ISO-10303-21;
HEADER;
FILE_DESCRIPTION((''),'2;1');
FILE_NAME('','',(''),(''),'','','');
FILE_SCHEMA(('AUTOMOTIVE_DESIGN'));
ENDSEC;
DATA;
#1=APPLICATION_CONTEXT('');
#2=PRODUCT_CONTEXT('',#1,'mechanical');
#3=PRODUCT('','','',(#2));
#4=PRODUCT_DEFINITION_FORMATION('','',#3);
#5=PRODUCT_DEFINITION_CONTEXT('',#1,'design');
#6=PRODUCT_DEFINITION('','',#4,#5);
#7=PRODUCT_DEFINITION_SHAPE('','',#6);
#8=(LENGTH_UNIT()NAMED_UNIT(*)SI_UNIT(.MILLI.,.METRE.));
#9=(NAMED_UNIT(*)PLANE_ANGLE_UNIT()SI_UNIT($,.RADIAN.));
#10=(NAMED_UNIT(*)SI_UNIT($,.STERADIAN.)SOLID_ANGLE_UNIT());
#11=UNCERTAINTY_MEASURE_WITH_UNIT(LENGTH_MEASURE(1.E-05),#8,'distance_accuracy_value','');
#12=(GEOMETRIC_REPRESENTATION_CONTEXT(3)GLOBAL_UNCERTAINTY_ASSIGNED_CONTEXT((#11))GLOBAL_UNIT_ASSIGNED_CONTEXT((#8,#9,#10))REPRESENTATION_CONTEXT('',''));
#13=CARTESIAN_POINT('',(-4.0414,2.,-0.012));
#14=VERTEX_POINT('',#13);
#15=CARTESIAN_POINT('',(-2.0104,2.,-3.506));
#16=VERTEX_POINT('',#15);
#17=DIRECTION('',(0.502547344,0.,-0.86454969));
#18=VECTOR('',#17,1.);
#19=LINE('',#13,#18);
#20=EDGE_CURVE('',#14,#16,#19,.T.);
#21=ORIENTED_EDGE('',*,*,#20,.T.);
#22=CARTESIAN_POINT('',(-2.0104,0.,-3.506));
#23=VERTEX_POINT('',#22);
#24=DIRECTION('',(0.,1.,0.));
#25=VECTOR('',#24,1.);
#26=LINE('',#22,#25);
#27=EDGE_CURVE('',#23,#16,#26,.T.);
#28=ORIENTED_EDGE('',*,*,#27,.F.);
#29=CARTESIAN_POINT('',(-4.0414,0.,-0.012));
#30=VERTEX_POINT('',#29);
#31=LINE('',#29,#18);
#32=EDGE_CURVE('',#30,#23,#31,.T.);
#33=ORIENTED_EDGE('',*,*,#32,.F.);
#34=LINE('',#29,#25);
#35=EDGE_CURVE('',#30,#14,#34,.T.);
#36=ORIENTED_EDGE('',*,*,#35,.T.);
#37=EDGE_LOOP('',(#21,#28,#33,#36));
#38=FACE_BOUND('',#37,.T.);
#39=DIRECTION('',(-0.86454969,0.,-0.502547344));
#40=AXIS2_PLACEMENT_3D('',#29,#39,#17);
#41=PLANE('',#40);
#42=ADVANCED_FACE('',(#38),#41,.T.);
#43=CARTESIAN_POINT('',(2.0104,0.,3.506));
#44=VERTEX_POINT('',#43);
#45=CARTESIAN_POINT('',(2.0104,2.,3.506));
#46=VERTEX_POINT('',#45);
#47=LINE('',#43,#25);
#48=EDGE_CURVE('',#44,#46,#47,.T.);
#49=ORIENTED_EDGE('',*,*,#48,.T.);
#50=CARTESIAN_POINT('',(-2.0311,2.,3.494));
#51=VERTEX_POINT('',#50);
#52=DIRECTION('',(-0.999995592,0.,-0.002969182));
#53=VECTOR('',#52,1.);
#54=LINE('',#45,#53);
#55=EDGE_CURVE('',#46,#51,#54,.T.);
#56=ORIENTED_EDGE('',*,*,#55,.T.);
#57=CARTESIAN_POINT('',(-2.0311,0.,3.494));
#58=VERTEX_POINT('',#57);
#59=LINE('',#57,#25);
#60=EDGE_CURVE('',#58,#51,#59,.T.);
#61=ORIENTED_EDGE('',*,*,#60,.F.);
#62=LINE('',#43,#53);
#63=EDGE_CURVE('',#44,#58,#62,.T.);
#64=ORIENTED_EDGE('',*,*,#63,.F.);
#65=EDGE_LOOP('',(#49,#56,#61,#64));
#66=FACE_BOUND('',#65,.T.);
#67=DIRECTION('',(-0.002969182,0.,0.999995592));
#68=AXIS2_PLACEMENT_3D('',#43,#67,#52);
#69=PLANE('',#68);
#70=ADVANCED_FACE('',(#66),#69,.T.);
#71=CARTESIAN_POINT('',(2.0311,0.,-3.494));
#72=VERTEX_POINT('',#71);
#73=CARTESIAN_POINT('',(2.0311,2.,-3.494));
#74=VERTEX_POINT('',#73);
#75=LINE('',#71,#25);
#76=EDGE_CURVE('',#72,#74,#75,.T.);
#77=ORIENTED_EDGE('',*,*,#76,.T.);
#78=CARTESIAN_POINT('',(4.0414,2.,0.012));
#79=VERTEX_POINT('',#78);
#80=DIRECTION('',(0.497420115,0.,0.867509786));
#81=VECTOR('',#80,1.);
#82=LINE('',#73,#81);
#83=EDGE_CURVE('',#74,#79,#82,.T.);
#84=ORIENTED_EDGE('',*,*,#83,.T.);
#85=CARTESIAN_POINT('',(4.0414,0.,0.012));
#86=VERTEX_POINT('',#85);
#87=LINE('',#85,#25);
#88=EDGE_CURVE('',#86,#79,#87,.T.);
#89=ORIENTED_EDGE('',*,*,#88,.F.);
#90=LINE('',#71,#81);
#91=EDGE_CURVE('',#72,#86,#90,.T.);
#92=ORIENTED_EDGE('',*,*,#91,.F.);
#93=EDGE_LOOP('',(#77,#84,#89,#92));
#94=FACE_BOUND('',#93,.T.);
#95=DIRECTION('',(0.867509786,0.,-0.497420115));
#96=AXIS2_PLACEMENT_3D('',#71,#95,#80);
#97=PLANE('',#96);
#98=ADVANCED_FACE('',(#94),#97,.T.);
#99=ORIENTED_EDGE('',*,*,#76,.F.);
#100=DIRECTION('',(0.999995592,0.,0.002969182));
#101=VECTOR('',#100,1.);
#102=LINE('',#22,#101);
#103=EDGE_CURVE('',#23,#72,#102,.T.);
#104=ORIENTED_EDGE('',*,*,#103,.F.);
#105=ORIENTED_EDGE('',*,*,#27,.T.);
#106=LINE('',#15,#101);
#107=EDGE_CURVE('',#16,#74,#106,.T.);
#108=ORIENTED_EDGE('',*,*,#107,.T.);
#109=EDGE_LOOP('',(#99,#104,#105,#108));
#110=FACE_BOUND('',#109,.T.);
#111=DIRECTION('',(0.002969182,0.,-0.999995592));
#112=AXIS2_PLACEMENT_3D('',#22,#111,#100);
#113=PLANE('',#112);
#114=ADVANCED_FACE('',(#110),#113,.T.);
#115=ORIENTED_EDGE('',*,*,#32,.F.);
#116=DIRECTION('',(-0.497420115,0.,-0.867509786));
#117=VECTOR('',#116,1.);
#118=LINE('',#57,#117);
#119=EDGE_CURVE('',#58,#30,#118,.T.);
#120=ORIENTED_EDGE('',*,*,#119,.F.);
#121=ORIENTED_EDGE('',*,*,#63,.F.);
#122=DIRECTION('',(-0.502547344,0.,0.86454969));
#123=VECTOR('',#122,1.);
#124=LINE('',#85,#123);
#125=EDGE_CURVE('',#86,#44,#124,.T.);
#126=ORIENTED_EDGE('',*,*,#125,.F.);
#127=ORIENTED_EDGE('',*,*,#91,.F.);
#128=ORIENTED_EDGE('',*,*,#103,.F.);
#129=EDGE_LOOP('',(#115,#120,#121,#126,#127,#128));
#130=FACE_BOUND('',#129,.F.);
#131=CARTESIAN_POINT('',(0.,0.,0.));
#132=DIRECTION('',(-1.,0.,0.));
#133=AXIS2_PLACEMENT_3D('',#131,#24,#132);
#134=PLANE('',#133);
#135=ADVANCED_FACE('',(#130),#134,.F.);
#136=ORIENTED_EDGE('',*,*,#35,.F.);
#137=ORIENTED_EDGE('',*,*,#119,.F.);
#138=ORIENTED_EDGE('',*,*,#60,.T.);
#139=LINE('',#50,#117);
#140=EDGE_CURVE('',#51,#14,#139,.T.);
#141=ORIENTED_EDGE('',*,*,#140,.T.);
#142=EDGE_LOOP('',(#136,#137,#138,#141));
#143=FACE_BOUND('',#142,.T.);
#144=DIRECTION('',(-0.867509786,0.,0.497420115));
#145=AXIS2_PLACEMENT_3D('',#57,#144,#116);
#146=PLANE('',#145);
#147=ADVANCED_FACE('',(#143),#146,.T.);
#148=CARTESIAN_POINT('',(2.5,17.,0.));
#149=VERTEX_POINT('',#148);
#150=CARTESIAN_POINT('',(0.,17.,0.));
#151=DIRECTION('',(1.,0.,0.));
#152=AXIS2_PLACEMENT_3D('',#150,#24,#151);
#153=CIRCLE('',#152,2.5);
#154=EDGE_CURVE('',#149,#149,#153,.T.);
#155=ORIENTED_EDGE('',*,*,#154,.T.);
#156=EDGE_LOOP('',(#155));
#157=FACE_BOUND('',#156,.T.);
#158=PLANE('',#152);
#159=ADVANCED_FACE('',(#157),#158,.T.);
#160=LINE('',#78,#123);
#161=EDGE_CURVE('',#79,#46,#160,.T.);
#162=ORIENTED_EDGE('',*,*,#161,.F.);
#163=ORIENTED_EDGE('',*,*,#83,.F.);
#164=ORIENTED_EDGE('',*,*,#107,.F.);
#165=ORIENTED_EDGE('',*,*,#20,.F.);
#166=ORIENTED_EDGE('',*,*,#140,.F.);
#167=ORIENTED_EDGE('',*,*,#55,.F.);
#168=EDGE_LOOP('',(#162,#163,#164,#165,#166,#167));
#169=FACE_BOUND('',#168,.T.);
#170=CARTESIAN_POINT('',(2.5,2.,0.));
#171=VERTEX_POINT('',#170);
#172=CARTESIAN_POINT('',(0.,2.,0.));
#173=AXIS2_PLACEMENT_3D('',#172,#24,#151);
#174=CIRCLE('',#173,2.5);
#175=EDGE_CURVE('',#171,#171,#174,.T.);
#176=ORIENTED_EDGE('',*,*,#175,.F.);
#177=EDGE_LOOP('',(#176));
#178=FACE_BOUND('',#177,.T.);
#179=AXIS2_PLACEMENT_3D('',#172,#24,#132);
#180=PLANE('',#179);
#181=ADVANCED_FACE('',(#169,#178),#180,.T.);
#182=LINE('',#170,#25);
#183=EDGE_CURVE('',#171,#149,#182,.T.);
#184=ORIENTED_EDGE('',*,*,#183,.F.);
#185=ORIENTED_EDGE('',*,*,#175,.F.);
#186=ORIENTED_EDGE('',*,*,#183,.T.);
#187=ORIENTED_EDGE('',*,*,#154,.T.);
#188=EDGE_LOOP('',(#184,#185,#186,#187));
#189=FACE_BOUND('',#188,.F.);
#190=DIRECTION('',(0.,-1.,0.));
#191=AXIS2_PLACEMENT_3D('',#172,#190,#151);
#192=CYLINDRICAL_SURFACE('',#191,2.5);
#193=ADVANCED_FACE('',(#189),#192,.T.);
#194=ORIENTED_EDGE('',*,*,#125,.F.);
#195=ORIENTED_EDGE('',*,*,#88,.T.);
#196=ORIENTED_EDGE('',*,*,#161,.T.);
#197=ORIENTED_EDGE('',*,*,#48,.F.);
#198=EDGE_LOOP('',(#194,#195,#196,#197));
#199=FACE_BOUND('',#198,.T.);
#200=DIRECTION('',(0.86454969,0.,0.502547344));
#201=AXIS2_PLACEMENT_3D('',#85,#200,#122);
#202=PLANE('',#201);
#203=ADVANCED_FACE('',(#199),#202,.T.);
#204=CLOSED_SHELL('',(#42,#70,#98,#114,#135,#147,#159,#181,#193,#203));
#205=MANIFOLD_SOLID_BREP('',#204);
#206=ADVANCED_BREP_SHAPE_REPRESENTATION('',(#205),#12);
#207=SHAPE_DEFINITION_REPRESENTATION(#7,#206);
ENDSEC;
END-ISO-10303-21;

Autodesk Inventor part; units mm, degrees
ref_plane "YZ Plane" through (0, 0, 0) normal (1, 0, 0) x (0, 1, 0)
ref_plane "XZ Plane" through (0, 0, 0) normal (0, 1, 0) x (-1, 0, 0)
ref_plane "XY Plane" through (0, 0, 0) normal (0, 0, 1) x (1, 0, 0)
sketch "Sketch1" plane through (0, 0, 0) normal (0, 1, 0) x (-1, 0, 0)
  line L0 (-2.0311, -3.494) -> (-4.0414, 0.012)
  line L1 (-4.0414, 0.012) -> (-2.0104, 3.506)
  line L2 (-2.0104, 3.506) -> (2.0311, 3.494)
  line L3 (2.0311, 3.494) -> (4.0414, -0.012)
  line L4 (4.0414, -0.012) -> (2.0104, -3.506)
  line L5 (2.0104, -3.506) -> (-2.0311, -3.494)
  point P0 (0, 0)
  point P1 (0, 0)
  dimension "d0" = 7
extrude "Extrusion1" add sketch "Sketch1" along normal blind 2
sketch "Sketch2" plane through (0, 2, 0) normal (0, 1, 0) x (1, 0, 0)
  circle A0 centre (0, 0) radius 2.5
  dimension "d3" = 5
extrude "Extrusion2" add sketch "Sketch2" along normal blind 15
sketch "Sketch3" plane through (0, 17, 0) normal (0, 1, 0) x (1, 0, 0)
  point P0 (0, 0)
properties part number "Screw 5 mm"
